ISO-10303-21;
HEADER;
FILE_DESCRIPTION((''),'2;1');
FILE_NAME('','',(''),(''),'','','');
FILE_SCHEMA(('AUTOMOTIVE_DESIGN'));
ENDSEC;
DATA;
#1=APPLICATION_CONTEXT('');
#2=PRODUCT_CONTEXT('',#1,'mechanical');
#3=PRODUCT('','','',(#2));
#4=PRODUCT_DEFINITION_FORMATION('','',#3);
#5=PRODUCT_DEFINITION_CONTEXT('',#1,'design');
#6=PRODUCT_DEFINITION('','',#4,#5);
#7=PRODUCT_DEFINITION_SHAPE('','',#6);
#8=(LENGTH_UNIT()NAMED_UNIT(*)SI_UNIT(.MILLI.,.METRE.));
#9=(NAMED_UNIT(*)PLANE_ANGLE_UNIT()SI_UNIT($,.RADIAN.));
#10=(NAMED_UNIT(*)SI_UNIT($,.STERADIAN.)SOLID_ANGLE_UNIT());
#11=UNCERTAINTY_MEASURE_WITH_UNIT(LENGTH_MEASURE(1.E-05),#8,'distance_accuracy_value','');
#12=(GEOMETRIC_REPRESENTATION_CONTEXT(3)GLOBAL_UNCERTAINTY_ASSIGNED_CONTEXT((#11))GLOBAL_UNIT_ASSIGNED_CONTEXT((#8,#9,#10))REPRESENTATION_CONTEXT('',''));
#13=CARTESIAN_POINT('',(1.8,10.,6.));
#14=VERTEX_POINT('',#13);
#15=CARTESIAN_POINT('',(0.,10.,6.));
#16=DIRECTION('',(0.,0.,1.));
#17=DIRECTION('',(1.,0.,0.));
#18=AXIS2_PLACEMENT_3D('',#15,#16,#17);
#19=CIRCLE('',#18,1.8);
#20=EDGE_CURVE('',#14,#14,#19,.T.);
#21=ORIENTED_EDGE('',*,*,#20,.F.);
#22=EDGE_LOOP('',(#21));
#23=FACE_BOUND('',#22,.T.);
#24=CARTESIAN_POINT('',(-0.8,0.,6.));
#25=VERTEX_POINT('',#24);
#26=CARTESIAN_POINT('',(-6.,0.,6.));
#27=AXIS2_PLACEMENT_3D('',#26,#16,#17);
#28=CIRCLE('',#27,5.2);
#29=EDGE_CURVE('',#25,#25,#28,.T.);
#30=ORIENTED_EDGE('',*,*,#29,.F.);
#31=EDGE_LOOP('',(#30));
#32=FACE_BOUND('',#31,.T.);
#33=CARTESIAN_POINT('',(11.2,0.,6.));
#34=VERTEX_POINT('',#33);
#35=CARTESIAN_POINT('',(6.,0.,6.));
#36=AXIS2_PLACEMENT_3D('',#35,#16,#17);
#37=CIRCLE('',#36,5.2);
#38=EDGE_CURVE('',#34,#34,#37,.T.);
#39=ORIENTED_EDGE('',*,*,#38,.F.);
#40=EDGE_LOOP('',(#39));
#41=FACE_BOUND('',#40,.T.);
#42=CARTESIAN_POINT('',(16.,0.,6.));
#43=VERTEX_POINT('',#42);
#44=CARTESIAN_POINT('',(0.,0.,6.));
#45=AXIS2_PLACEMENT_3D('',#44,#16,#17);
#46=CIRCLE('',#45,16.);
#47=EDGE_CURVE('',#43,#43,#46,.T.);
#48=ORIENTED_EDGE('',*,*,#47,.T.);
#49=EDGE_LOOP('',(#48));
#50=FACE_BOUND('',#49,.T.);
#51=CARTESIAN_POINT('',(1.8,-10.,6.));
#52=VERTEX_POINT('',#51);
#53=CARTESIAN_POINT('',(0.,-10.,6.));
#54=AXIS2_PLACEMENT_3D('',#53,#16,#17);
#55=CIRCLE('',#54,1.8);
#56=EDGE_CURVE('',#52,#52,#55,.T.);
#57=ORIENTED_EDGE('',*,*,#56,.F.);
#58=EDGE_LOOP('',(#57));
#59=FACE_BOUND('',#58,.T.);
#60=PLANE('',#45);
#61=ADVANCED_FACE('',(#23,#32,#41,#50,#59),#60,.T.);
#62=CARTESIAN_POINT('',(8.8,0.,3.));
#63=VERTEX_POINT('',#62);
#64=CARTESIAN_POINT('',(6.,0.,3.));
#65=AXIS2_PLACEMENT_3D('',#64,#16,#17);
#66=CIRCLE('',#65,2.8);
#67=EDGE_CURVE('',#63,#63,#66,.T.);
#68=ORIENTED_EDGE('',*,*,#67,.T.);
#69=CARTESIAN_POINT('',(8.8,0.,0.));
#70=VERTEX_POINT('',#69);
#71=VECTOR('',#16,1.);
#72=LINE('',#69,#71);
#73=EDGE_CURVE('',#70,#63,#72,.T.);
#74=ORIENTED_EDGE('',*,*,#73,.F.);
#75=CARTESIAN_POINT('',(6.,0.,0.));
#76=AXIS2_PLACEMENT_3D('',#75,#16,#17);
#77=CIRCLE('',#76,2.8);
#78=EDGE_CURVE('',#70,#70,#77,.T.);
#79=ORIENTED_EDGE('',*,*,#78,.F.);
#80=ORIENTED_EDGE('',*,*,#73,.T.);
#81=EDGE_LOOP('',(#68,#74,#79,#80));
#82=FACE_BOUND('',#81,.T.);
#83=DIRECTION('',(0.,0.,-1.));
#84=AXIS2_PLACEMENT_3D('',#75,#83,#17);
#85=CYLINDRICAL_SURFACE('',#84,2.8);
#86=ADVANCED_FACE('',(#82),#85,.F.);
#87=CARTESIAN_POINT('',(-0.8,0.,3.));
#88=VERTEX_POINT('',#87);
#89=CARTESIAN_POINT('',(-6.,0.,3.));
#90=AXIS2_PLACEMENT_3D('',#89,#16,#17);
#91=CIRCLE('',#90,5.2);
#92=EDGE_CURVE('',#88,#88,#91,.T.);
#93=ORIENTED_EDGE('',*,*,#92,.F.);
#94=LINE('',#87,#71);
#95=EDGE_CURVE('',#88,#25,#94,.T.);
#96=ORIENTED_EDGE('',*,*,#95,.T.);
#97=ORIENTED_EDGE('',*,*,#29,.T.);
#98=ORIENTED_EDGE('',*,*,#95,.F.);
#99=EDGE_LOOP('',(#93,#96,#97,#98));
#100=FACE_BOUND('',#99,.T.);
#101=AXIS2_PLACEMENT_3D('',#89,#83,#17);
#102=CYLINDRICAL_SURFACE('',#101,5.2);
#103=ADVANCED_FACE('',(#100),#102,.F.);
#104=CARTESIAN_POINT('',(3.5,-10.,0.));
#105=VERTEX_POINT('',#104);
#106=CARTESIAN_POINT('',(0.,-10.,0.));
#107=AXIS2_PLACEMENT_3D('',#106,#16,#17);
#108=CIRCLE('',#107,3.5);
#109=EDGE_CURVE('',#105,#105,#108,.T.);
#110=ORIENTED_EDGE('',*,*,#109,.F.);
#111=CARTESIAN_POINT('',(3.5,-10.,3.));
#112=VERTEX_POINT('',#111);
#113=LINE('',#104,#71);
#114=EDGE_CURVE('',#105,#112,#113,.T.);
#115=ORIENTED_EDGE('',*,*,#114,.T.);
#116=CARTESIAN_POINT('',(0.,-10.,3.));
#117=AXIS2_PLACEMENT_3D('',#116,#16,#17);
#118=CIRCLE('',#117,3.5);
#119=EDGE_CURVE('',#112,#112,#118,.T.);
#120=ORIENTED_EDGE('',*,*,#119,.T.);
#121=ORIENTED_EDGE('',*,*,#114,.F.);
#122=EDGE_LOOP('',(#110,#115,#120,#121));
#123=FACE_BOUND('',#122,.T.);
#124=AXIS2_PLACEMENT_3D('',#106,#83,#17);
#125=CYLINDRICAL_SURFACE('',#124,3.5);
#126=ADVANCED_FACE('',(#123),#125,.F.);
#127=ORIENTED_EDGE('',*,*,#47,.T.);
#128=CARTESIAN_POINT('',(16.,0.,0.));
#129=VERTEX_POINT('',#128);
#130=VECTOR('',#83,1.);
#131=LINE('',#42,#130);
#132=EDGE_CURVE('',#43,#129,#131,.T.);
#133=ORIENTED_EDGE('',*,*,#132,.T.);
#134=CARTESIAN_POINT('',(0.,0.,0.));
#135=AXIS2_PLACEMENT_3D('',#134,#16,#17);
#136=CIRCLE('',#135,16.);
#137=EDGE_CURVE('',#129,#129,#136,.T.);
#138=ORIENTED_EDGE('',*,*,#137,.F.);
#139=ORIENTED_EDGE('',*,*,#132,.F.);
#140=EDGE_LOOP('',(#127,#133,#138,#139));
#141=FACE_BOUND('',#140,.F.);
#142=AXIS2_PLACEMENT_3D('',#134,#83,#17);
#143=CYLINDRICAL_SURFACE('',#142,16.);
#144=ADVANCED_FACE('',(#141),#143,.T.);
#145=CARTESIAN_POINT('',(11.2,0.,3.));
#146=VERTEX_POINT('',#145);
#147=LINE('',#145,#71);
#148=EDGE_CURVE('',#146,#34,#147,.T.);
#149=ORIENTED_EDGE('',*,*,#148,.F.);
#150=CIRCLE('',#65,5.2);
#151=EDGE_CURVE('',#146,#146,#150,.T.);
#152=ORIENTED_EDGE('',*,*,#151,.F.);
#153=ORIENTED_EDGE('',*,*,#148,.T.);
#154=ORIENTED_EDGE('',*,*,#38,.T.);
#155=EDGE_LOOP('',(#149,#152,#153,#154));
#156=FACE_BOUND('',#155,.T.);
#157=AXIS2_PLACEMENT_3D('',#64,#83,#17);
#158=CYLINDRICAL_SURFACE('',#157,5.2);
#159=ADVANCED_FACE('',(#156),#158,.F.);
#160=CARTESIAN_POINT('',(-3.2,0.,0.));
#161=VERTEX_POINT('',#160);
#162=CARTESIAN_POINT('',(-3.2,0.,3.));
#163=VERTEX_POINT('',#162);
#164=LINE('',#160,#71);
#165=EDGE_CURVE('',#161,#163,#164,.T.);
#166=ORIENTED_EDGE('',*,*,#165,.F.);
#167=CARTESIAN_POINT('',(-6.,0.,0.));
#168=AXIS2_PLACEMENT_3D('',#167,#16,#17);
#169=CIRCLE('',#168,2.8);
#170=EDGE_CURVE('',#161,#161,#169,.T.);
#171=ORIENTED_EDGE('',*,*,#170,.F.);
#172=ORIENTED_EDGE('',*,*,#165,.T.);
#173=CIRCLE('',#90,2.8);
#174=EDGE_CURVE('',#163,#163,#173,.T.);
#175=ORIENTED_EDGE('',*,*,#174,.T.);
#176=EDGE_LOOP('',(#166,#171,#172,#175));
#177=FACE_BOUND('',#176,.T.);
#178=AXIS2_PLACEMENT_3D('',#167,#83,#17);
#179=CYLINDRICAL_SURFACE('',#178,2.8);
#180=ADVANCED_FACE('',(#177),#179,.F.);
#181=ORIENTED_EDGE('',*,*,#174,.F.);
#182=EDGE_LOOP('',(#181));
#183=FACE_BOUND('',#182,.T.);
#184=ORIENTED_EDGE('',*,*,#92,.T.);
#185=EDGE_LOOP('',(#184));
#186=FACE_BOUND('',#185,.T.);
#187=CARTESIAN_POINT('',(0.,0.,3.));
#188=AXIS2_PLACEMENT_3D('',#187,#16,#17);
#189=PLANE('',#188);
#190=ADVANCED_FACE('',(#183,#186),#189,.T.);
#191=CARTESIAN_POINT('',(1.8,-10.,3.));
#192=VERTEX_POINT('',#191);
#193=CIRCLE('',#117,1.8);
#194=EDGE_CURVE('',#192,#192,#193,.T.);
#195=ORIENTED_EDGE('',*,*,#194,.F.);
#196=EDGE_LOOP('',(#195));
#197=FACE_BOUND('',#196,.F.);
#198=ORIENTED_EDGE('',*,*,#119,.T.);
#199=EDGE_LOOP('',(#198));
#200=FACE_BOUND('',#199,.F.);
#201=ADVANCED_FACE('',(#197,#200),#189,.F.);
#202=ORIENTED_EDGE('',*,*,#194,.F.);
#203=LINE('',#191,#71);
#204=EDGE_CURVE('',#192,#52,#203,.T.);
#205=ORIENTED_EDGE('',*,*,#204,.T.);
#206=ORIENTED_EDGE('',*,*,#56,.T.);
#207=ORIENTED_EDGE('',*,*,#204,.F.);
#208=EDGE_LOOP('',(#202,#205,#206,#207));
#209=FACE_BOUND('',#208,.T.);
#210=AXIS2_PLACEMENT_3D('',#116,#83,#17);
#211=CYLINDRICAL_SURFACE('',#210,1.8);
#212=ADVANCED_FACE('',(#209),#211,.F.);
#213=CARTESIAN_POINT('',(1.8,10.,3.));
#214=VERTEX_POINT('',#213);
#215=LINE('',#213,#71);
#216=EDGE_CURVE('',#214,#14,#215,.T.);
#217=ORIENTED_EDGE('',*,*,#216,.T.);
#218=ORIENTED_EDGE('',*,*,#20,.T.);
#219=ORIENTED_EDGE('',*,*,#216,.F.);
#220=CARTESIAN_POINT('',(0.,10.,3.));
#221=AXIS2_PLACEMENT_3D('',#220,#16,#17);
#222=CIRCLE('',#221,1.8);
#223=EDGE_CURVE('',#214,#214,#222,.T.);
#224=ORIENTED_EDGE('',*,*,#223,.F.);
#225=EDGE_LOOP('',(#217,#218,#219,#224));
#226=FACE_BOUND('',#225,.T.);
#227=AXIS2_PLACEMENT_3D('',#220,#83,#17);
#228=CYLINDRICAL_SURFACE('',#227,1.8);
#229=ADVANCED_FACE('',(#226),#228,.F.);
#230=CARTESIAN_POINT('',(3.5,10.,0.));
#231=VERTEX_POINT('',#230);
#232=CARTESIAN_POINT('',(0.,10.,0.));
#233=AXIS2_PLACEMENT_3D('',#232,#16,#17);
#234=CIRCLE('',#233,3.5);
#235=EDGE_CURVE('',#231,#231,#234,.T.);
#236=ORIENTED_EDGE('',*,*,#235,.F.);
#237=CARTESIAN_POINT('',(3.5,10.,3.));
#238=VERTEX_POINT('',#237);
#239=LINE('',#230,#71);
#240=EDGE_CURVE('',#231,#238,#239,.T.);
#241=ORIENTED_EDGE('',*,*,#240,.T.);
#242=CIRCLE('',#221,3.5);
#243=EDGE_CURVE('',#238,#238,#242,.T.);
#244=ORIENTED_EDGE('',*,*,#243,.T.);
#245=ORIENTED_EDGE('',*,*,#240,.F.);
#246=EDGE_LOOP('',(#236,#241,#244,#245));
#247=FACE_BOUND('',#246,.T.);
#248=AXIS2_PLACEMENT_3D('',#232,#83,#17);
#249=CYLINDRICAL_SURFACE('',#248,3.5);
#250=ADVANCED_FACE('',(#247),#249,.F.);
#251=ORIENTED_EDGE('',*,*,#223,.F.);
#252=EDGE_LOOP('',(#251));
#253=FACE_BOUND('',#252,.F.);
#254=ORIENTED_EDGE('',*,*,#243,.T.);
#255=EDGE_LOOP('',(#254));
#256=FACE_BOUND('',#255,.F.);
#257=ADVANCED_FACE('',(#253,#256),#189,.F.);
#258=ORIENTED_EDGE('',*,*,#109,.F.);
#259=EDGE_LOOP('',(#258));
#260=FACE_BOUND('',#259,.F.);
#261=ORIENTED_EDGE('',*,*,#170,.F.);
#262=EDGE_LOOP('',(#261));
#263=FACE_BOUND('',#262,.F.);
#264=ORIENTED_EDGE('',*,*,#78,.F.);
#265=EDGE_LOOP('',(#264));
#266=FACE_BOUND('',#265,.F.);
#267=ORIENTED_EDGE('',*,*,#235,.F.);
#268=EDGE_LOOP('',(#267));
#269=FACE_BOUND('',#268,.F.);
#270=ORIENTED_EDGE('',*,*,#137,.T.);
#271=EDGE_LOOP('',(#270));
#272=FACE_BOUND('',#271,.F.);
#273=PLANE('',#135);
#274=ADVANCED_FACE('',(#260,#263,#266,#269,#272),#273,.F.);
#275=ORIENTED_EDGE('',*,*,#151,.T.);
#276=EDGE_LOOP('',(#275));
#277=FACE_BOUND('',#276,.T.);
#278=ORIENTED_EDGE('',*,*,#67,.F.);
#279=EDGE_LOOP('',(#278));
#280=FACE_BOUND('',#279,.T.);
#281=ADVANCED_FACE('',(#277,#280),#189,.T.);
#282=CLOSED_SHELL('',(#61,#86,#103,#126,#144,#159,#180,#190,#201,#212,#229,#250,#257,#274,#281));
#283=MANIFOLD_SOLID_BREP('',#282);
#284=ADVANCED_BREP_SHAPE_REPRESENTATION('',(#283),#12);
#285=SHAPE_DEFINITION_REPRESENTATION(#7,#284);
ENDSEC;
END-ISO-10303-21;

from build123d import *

# Parameters (mm, degrees)
SKETCH_R      = 16
SKETCH_R_2    = 2.8
SKETCH_R_3    = 3.5
PAD_DEPTH     = 3
SKETCH001_R   = 16
SKETCH001_R_2 = 5.2
SKETCH001_R_3 = 1.8
PAD001_DEPTH  = 3


with BuildPart() as pad:
    # Sketch → Pad (new body)
    with BuildSketch(Plane.XY):
        Circle(SKETCH_R)
        with Locations((-6, 0)):
            Circle(SKETCH_R_2, mode=Mode.SUBTRACT)
        with Locations((6, 0)):
            Circle(SKETCH_R_2, mode=Mode.SUBTRACT)
        with Locations((0, 10)):
            Circle(SKETCH_R_3, mode=Mode.SUBTRACT)
        with Locations((0, -10)):
            Circle(SKETCH_R_3, mode=Mode.SUBTRACT)
    extrude(amount=PAD_DEPTH)


with BuildPart() as fusion:
    # Sketch001 → Pad001 (new body)
    with BuildSketch(Plane.XY.offset(3)):
        Circle(SKETCH001_R)
        with Locations((-6, 0)):
            Circle(SKETCH001_R_2, mode=Mode.SUBTRACT)
        with Locations((6, 0)):
            Circle(SKETCH001_R_2, mode=Mode.SUBTRACT)
        with Locations((0, 10)):
            Circle(SKETCH001_R_3, mode=Mode.SUBTRACT)
        with Locations((0, -10)):
            Circle(SKETCH001_R_3, mode=Mode.SUBTRACT)
    extrude(amount=PAD001_DEPTH)

    # Fusion: union Pad
    add(pad.part)


solid = fusion.part
